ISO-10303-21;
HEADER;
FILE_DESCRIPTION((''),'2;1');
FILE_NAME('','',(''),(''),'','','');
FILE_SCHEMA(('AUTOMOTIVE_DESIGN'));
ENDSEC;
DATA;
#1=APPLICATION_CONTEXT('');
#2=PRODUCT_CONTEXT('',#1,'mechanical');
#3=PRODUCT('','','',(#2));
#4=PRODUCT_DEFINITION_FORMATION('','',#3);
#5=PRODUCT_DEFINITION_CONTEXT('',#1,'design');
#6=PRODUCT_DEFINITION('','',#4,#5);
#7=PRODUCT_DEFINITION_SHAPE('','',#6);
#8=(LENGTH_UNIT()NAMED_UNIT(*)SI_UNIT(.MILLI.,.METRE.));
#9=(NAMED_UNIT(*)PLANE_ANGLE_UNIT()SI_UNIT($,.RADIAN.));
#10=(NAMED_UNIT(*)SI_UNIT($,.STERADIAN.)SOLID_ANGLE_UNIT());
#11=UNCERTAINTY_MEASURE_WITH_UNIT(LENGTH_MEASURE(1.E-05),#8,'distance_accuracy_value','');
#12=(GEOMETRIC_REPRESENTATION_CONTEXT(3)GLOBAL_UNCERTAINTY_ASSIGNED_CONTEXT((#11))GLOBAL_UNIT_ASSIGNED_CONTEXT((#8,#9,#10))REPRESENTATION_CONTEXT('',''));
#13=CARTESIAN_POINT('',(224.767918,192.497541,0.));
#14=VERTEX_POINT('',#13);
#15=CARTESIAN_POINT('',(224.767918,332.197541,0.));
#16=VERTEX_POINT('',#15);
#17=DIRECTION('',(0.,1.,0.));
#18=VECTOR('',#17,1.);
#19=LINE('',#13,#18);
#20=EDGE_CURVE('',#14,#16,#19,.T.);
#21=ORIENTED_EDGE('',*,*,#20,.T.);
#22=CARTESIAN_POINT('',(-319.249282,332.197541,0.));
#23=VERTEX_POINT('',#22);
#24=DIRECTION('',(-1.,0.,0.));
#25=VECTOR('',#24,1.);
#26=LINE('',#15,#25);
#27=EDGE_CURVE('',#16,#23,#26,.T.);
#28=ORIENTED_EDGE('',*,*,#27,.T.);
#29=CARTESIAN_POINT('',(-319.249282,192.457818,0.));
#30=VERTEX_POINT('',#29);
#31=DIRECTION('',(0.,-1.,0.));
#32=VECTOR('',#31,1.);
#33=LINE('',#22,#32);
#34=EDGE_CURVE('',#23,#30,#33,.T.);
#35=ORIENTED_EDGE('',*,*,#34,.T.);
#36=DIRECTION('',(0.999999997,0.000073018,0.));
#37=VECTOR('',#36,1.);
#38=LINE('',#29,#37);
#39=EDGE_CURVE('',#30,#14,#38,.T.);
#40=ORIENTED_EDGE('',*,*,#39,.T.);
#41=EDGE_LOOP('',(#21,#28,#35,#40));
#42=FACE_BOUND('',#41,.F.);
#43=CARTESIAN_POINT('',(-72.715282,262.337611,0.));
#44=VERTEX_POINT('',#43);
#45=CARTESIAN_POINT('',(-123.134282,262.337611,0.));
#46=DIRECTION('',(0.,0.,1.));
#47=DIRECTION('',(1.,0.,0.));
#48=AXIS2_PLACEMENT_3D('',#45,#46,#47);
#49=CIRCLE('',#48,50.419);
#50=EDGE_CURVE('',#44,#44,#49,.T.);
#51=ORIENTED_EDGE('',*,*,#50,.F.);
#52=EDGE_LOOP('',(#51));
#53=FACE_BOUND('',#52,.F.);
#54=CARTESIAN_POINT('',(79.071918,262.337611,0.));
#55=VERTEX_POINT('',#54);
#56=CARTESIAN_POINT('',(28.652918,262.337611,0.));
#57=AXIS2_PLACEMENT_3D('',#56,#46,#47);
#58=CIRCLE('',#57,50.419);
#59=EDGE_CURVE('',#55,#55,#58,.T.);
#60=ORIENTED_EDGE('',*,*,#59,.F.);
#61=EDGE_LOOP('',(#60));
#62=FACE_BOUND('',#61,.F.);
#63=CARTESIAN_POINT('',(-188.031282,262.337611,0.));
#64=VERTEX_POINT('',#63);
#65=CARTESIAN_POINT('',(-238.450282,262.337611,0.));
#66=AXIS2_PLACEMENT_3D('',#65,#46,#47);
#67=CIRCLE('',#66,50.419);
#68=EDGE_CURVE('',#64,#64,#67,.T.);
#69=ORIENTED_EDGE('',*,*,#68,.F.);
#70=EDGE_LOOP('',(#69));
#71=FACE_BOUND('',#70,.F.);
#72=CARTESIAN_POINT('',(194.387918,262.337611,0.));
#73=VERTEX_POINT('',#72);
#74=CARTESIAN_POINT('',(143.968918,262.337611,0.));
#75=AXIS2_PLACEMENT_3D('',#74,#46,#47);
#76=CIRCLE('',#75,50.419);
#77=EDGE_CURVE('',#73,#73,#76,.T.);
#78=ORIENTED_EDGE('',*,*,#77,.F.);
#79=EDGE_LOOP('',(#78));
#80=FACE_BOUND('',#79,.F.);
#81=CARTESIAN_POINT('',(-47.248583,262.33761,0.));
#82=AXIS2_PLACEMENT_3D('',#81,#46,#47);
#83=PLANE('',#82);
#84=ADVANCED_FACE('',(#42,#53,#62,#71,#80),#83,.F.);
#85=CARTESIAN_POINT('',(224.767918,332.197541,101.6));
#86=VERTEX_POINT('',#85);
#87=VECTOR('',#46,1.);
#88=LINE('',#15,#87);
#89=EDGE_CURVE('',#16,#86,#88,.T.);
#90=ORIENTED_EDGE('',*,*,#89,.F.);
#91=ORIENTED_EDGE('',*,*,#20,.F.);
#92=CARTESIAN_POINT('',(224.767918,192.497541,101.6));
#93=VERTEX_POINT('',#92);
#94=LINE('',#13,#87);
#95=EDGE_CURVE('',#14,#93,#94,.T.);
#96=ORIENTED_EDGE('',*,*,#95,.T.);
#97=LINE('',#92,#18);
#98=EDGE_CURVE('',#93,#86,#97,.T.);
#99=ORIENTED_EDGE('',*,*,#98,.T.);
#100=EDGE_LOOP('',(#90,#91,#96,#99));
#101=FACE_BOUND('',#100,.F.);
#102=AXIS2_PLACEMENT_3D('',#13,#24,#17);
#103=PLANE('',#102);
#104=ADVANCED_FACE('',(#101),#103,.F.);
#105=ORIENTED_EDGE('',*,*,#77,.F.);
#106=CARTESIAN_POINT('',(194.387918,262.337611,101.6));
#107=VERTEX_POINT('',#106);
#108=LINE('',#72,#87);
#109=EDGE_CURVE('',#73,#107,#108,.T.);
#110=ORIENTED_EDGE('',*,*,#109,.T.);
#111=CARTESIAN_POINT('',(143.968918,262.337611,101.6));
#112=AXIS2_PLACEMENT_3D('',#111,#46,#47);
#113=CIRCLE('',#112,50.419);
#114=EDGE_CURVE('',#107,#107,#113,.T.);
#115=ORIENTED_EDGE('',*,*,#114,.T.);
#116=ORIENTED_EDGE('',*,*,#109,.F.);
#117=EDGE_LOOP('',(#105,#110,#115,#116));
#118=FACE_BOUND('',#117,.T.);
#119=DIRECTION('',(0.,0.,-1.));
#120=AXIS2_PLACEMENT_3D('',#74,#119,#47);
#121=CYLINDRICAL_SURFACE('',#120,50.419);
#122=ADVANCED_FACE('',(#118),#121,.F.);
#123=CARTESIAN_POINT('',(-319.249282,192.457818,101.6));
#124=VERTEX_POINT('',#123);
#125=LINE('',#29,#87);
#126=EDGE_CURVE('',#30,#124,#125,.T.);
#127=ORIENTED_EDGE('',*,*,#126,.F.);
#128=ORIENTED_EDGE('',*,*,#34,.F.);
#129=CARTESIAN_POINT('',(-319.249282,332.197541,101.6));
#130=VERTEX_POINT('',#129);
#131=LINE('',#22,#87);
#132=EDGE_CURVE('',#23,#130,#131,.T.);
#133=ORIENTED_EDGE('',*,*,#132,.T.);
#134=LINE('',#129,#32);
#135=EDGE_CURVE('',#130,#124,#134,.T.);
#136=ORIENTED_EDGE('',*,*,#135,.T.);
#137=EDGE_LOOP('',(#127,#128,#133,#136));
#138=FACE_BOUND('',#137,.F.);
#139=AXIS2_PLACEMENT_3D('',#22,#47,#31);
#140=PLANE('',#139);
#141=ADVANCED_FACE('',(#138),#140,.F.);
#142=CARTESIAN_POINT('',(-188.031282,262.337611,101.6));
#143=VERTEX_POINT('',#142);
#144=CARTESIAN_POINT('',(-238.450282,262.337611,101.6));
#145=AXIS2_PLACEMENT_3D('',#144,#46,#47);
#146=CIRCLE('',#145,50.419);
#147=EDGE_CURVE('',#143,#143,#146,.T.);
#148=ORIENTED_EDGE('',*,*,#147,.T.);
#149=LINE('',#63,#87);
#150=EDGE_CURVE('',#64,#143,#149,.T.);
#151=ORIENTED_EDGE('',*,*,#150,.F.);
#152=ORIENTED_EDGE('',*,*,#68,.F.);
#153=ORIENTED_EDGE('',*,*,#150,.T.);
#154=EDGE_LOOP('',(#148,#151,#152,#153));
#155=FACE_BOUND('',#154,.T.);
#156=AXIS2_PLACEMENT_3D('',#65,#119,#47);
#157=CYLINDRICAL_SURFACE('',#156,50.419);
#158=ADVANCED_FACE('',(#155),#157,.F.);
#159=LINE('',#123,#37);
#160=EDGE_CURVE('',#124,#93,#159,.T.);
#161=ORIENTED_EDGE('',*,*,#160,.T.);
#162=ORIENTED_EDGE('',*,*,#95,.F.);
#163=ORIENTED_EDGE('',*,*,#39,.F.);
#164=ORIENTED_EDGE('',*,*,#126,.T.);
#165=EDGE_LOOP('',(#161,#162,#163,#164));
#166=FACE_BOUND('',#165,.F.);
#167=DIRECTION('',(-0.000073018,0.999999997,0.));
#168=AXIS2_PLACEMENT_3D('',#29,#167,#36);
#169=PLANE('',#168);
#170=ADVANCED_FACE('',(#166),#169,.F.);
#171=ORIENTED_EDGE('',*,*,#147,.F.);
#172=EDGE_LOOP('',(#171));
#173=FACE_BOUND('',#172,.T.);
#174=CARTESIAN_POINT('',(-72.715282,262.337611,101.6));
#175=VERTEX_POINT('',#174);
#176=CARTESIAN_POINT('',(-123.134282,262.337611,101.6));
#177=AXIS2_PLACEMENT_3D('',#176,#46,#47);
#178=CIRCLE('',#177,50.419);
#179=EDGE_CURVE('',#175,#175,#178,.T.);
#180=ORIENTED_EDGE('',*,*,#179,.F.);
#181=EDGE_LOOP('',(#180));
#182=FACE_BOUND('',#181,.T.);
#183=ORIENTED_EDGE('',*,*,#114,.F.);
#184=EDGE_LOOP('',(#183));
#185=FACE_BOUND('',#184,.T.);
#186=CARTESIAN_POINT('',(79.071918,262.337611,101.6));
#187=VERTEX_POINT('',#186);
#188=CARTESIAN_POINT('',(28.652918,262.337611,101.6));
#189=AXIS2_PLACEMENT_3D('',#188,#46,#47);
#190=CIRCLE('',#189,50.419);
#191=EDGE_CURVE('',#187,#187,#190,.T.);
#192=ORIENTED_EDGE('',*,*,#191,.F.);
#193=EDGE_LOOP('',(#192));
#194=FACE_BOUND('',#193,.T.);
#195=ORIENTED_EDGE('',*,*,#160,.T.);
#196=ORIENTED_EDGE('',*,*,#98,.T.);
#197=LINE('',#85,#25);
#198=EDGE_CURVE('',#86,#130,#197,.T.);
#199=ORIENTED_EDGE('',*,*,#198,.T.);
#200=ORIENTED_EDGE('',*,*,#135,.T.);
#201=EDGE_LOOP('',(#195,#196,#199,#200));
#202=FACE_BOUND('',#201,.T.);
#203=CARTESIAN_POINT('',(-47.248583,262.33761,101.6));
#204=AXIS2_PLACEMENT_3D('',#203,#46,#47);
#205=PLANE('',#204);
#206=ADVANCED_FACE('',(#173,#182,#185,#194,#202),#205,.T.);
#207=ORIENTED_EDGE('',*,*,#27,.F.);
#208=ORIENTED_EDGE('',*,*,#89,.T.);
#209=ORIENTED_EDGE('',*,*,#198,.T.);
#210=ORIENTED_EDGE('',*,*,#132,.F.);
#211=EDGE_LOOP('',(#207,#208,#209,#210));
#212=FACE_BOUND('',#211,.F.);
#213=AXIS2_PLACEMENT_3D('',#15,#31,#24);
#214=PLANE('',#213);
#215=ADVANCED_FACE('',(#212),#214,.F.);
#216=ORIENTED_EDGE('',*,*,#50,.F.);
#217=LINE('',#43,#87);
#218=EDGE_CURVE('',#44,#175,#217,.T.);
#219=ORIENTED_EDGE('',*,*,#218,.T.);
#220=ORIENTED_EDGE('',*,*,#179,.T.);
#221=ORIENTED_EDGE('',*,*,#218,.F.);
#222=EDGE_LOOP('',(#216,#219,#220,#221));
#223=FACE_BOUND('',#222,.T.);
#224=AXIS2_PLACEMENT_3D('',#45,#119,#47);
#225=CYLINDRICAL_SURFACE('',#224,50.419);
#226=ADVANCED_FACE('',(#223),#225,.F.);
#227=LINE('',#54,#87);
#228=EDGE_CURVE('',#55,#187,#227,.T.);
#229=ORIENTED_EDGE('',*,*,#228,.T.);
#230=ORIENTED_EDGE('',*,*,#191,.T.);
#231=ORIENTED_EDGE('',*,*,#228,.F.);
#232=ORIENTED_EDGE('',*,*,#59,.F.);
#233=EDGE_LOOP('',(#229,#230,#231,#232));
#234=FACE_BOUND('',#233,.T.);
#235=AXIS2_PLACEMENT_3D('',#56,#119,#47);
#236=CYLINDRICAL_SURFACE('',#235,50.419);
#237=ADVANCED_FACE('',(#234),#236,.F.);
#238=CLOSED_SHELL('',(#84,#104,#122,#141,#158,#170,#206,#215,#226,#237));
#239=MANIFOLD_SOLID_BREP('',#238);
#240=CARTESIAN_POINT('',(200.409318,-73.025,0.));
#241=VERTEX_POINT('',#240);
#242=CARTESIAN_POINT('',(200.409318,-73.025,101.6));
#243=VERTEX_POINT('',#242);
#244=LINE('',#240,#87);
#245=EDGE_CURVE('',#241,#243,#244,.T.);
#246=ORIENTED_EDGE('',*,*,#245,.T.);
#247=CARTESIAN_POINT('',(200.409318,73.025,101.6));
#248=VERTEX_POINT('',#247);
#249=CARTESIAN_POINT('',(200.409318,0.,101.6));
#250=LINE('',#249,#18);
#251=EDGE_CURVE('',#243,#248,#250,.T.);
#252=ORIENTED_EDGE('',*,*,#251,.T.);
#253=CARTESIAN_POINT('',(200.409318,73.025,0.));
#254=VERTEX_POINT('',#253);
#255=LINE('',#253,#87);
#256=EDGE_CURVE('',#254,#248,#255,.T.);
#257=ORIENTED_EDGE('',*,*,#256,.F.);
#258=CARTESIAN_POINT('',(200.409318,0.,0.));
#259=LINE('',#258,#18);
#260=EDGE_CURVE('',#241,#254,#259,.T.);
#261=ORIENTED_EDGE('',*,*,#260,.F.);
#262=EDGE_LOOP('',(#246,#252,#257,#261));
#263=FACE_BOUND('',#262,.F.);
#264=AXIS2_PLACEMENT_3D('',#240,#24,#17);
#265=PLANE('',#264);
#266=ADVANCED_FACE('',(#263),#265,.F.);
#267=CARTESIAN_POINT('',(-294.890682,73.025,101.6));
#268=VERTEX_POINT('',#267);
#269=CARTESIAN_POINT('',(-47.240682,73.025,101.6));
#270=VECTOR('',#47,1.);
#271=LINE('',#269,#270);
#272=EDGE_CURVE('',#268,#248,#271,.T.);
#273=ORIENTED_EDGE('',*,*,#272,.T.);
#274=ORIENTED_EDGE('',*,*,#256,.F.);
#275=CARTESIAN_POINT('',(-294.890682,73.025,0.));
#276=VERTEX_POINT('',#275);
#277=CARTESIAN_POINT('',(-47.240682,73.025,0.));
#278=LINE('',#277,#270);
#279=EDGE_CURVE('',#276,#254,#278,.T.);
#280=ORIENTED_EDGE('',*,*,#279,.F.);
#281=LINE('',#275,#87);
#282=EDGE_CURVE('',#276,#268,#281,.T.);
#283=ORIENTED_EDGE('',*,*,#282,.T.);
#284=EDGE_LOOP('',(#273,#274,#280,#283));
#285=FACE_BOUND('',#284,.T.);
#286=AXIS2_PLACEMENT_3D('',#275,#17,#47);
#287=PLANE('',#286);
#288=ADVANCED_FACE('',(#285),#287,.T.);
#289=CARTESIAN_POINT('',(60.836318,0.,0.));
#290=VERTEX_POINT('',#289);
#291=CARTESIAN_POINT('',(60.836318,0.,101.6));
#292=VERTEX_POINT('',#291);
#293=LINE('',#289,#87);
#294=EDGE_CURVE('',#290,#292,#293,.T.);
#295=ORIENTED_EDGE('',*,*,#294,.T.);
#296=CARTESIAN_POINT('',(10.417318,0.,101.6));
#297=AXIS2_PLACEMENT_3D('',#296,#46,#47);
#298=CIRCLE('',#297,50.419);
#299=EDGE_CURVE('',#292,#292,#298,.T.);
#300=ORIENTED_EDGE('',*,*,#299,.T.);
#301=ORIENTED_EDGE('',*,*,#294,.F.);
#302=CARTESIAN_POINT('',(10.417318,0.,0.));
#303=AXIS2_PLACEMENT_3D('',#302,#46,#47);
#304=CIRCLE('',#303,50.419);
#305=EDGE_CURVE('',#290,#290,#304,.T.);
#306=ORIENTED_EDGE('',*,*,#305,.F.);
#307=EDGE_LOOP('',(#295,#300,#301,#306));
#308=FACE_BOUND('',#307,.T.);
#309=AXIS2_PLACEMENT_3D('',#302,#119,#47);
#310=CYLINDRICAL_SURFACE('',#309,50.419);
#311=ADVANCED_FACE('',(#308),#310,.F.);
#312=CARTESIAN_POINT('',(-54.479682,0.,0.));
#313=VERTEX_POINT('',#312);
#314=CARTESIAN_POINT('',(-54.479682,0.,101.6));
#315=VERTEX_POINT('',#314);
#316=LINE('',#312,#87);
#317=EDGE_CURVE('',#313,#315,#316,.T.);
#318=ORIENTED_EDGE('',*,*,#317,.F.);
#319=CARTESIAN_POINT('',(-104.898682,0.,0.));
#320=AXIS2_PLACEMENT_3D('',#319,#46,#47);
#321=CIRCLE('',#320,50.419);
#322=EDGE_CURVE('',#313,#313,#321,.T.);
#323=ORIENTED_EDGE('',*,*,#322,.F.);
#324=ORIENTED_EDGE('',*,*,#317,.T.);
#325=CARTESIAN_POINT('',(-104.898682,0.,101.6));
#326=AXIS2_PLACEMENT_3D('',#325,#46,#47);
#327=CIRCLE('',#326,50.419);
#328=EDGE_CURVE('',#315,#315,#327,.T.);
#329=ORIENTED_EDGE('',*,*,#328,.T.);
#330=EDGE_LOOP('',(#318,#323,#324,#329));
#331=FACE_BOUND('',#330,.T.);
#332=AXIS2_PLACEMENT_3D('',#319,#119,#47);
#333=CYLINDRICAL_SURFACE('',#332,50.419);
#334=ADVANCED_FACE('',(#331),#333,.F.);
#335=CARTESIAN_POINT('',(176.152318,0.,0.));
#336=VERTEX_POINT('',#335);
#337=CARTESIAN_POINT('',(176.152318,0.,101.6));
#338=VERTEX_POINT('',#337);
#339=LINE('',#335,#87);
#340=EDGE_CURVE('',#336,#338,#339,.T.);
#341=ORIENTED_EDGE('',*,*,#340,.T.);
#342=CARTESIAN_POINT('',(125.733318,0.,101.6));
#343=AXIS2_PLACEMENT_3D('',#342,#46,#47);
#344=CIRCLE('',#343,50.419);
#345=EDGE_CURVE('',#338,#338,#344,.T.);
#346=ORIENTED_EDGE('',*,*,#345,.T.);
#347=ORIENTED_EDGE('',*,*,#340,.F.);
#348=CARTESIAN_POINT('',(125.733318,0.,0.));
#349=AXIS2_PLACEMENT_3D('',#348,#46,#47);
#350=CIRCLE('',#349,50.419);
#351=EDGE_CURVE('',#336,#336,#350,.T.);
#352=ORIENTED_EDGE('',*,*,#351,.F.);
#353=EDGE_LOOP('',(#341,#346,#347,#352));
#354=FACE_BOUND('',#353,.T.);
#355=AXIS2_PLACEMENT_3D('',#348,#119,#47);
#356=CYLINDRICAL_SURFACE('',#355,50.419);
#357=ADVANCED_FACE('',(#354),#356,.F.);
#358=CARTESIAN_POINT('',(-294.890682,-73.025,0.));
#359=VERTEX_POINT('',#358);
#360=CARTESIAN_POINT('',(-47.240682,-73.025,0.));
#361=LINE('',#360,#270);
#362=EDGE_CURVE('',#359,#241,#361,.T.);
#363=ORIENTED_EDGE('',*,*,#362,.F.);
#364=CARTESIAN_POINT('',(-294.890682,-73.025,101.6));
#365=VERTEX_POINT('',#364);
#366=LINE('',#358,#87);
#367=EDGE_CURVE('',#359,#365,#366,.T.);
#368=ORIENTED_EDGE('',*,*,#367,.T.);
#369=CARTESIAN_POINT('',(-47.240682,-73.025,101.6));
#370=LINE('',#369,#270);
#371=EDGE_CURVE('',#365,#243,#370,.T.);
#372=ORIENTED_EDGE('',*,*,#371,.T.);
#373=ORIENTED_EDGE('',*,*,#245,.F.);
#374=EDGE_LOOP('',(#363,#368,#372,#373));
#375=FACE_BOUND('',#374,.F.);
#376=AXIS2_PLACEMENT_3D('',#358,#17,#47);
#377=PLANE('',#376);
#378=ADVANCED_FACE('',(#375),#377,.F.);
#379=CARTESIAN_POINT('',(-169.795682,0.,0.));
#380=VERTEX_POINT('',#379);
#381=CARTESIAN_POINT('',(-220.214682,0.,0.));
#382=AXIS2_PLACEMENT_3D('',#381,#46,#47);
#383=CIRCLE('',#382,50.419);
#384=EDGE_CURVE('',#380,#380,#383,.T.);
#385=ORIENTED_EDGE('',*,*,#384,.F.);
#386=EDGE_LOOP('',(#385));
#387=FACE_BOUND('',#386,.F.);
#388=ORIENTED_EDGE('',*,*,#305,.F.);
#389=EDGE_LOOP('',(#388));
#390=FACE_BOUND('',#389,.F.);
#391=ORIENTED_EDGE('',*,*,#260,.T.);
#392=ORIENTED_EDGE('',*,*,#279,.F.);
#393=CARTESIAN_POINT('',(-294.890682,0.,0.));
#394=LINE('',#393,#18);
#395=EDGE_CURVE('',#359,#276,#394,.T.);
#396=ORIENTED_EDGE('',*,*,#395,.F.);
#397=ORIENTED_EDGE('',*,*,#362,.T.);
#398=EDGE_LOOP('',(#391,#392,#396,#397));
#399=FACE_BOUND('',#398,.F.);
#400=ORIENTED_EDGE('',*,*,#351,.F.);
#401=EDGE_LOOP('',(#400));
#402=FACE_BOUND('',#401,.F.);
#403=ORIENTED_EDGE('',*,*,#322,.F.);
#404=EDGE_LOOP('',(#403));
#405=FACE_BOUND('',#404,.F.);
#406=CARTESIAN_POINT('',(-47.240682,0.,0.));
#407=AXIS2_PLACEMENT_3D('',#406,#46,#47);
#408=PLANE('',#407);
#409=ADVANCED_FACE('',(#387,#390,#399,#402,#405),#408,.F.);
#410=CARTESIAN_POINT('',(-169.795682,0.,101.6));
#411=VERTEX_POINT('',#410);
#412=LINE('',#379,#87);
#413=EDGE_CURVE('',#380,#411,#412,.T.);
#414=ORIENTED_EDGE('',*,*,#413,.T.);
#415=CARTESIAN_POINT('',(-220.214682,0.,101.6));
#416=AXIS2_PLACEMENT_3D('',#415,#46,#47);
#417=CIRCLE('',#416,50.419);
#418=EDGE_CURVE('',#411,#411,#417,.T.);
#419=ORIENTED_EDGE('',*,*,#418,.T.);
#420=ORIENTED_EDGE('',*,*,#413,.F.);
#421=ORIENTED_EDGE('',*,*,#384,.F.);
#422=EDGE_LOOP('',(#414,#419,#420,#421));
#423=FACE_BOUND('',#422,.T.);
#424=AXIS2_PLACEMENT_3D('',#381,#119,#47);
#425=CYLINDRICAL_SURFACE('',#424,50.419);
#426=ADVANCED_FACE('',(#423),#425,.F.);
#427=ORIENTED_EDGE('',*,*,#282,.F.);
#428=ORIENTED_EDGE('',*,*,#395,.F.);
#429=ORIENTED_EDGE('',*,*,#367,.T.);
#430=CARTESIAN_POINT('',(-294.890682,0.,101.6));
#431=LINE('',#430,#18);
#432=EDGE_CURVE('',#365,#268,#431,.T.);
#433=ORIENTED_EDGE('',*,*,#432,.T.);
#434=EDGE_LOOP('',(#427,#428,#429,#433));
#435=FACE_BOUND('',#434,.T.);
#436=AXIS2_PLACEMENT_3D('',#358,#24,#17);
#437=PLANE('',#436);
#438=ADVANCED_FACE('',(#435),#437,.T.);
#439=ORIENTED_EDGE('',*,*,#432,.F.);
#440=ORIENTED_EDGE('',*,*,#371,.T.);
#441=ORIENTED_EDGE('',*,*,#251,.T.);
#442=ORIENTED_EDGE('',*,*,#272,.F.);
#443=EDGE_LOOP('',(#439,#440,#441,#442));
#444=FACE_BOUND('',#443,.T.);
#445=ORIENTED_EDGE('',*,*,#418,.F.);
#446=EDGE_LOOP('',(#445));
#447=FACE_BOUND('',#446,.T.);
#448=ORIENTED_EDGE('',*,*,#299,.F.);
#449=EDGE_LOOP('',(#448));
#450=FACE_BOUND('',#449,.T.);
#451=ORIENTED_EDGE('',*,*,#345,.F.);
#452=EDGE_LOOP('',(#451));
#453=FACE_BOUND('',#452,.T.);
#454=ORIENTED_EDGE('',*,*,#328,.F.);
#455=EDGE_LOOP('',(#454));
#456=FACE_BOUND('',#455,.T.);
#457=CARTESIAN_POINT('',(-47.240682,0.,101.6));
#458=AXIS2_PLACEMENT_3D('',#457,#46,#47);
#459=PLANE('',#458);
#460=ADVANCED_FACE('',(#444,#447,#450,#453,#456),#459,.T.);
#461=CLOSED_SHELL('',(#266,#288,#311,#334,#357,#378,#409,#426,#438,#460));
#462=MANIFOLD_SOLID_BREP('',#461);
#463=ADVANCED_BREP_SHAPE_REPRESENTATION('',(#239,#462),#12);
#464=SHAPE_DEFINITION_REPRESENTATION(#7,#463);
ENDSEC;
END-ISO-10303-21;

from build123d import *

# Parameters (mm, degrees)
F0_R     = 50.419
F1_DEPTH = 101.6
F0_W     = 495.3
F0_H     = 146.05
F2_DEPTH = 101.6


with BuildPart() as f1:
    # F0 (on Top) → F1 (new body)
    with BuildSketch(Plane.XY):
        Polygon((-319.249282, 332.197541), (-319.249282, 192.457818), (224.767918, 192.497541), (224.767918, 332.197541), align=None)
        with Locations((-238.450282, 262.337611)):
            Circle(F0_R, mode=Mode.SUBTRACT)
        with Locations((-123.134282, 262.337611)):
            Circle(F0_R, mode=Mode.SUBTRACT)
        with Locations((28.652918, 262.337611)):
            Circle(F0_R, mode=Mode.SUBTRACT)
        with Locations((143.968918, 262.337611)):
            Circle(F0_R, mode=Mode.SUBTRACT)
    extrude(amount=F1_DEPTH)


with BuildPart() as f2:
    # F0 (on Top) → F2 (new body)
    with BuildSketch(Plane.XY):
        with Locations((-47.240682, 0)):
            Rectangle(F0_W, F0_H)
        with Locations((-220.214682, 0)):
            Circle(F0_R, mode=Mode.SUBTRACT)
        with Locations((-104.898682, 0)):
            Circle(F0_R, mode=Mode.SUBTRACT)
        with Locations((10.417318, 0)):
            Circle(F0_R, mode=Mode.SUBTRACT)
        with Locations((125.733318, 0)):
            Circle(F0_R, mode=Mode.SUBTRACT)
    extrude(amount=F2_DEPTH)


solid = Compound([f1.part, f2.part])
